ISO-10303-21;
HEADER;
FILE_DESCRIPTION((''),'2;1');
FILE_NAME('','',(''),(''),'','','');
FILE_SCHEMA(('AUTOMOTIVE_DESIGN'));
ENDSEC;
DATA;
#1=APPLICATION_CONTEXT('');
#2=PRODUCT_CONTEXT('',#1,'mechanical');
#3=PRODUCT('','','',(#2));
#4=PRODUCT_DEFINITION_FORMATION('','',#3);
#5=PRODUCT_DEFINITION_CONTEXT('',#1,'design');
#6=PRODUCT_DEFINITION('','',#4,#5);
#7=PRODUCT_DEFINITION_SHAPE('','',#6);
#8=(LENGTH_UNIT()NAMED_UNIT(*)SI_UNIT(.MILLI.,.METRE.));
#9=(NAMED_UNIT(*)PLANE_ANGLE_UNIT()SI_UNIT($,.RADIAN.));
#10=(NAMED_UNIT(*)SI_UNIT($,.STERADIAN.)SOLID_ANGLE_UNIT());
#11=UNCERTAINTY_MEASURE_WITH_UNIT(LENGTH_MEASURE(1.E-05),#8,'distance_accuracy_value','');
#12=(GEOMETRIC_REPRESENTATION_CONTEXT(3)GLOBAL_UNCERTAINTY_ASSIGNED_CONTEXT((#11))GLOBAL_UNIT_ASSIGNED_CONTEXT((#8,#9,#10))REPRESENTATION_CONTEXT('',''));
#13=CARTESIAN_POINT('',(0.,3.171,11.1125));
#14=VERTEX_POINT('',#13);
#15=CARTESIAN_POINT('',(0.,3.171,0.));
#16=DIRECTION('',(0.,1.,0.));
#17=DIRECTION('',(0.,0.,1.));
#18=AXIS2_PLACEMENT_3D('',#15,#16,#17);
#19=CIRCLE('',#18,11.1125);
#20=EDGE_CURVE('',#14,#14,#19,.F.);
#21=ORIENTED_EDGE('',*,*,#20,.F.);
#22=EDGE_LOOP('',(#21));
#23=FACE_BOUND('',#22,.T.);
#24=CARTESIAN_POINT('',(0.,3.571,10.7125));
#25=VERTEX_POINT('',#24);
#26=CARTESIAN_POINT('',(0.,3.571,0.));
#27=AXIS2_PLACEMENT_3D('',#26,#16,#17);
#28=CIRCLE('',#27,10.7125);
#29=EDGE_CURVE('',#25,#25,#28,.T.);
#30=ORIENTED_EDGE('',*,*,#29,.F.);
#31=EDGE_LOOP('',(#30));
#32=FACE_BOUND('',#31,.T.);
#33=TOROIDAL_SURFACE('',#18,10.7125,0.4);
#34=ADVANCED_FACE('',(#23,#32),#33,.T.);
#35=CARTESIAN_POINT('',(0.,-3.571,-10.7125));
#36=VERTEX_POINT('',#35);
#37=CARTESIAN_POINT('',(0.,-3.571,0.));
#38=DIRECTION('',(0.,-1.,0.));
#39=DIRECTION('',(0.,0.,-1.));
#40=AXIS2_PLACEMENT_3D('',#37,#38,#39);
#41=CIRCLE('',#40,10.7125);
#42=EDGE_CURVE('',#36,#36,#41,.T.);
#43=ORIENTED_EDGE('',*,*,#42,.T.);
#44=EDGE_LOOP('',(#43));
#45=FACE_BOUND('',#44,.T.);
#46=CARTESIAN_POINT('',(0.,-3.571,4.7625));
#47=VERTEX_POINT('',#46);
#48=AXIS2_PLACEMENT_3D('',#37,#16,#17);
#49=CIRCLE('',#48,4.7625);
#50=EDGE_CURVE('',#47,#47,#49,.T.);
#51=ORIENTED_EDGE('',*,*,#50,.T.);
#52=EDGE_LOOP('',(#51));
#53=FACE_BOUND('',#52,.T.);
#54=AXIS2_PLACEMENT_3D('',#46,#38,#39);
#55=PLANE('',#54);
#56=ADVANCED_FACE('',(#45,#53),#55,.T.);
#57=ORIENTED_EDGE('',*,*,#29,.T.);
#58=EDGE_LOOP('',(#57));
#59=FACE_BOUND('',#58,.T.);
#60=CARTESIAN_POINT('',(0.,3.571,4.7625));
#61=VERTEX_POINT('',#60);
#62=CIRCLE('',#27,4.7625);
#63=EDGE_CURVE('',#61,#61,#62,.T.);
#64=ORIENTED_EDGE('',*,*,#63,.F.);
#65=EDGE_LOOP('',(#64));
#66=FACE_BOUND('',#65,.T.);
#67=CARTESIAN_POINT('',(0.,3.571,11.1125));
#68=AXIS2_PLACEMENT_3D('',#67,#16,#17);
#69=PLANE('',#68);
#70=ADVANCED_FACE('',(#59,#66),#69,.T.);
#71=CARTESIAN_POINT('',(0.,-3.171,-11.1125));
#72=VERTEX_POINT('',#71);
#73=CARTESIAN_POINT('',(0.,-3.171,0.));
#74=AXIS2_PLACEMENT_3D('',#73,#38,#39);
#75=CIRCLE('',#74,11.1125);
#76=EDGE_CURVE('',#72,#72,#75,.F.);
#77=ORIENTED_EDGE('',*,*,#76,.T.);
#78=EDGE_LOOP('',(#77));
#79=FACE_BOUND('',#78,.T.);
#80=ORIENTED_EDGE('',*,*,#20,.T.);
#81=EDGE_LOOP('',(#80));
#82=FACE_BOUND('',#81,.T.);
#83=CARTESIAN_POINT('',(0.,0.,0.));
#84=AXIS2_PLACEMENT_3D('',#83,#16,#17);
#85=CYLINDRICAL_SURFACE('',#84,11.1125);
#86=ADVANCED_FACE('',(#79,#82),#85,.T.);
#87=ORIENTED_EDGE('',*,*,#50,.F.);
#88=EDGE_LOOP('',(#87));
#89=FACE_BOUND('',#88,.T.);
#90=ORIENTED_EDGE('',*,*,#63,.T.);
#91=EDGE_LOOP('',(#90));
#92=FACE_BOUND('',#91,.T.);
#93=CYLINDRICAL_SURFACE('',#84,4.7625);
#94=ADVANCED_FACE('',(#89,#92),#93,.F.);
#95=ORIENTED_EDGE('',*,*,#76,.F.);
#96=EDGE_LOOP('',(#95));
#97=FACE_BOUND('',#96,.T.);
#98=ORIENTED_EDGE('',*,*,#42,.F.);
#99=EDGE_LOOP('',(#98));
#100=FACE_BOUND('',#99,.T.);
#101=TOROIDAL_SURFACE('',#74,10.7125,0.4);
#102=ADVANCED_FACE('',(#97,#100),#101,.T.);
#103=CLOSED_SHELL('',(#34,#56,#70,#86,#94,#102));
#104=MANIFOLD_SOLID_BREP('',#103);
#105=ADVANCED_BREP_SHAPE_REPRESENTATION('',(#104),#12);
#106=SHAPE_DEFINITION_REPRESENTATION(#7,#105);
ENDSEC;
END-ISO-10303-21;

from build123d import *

# Parameters (mm, degrees)
SKETCH2_W = 6.35
SKETCH2_H = 7.142
FILLET1_R = 0.4


with BuildPart() as part:
    # Sketch2 → Revolve1 (revolve)
    with BuildSketch(Plane(origin=(0, 0, 0), x_dir=(0, 0, -1), z_dir=(1, 0, 0))):
        with Locations((-7.9375, 0)):
            Rectangle(SKETCH2_W, SKETCH2_H)
    revolve(axis=Axis((0, 0, 0), (0, -1, 0)))

    # Fillet1
    fillet1_edges = [part.edges().sort_by_distance(p)[0] for p in [
        (0, -3.571, -11.1125),
        (0, 3.571, -11.1125),
    ]]
    fillet(fillet1_edges, radius=FILLET1_R)


solid = part.part
